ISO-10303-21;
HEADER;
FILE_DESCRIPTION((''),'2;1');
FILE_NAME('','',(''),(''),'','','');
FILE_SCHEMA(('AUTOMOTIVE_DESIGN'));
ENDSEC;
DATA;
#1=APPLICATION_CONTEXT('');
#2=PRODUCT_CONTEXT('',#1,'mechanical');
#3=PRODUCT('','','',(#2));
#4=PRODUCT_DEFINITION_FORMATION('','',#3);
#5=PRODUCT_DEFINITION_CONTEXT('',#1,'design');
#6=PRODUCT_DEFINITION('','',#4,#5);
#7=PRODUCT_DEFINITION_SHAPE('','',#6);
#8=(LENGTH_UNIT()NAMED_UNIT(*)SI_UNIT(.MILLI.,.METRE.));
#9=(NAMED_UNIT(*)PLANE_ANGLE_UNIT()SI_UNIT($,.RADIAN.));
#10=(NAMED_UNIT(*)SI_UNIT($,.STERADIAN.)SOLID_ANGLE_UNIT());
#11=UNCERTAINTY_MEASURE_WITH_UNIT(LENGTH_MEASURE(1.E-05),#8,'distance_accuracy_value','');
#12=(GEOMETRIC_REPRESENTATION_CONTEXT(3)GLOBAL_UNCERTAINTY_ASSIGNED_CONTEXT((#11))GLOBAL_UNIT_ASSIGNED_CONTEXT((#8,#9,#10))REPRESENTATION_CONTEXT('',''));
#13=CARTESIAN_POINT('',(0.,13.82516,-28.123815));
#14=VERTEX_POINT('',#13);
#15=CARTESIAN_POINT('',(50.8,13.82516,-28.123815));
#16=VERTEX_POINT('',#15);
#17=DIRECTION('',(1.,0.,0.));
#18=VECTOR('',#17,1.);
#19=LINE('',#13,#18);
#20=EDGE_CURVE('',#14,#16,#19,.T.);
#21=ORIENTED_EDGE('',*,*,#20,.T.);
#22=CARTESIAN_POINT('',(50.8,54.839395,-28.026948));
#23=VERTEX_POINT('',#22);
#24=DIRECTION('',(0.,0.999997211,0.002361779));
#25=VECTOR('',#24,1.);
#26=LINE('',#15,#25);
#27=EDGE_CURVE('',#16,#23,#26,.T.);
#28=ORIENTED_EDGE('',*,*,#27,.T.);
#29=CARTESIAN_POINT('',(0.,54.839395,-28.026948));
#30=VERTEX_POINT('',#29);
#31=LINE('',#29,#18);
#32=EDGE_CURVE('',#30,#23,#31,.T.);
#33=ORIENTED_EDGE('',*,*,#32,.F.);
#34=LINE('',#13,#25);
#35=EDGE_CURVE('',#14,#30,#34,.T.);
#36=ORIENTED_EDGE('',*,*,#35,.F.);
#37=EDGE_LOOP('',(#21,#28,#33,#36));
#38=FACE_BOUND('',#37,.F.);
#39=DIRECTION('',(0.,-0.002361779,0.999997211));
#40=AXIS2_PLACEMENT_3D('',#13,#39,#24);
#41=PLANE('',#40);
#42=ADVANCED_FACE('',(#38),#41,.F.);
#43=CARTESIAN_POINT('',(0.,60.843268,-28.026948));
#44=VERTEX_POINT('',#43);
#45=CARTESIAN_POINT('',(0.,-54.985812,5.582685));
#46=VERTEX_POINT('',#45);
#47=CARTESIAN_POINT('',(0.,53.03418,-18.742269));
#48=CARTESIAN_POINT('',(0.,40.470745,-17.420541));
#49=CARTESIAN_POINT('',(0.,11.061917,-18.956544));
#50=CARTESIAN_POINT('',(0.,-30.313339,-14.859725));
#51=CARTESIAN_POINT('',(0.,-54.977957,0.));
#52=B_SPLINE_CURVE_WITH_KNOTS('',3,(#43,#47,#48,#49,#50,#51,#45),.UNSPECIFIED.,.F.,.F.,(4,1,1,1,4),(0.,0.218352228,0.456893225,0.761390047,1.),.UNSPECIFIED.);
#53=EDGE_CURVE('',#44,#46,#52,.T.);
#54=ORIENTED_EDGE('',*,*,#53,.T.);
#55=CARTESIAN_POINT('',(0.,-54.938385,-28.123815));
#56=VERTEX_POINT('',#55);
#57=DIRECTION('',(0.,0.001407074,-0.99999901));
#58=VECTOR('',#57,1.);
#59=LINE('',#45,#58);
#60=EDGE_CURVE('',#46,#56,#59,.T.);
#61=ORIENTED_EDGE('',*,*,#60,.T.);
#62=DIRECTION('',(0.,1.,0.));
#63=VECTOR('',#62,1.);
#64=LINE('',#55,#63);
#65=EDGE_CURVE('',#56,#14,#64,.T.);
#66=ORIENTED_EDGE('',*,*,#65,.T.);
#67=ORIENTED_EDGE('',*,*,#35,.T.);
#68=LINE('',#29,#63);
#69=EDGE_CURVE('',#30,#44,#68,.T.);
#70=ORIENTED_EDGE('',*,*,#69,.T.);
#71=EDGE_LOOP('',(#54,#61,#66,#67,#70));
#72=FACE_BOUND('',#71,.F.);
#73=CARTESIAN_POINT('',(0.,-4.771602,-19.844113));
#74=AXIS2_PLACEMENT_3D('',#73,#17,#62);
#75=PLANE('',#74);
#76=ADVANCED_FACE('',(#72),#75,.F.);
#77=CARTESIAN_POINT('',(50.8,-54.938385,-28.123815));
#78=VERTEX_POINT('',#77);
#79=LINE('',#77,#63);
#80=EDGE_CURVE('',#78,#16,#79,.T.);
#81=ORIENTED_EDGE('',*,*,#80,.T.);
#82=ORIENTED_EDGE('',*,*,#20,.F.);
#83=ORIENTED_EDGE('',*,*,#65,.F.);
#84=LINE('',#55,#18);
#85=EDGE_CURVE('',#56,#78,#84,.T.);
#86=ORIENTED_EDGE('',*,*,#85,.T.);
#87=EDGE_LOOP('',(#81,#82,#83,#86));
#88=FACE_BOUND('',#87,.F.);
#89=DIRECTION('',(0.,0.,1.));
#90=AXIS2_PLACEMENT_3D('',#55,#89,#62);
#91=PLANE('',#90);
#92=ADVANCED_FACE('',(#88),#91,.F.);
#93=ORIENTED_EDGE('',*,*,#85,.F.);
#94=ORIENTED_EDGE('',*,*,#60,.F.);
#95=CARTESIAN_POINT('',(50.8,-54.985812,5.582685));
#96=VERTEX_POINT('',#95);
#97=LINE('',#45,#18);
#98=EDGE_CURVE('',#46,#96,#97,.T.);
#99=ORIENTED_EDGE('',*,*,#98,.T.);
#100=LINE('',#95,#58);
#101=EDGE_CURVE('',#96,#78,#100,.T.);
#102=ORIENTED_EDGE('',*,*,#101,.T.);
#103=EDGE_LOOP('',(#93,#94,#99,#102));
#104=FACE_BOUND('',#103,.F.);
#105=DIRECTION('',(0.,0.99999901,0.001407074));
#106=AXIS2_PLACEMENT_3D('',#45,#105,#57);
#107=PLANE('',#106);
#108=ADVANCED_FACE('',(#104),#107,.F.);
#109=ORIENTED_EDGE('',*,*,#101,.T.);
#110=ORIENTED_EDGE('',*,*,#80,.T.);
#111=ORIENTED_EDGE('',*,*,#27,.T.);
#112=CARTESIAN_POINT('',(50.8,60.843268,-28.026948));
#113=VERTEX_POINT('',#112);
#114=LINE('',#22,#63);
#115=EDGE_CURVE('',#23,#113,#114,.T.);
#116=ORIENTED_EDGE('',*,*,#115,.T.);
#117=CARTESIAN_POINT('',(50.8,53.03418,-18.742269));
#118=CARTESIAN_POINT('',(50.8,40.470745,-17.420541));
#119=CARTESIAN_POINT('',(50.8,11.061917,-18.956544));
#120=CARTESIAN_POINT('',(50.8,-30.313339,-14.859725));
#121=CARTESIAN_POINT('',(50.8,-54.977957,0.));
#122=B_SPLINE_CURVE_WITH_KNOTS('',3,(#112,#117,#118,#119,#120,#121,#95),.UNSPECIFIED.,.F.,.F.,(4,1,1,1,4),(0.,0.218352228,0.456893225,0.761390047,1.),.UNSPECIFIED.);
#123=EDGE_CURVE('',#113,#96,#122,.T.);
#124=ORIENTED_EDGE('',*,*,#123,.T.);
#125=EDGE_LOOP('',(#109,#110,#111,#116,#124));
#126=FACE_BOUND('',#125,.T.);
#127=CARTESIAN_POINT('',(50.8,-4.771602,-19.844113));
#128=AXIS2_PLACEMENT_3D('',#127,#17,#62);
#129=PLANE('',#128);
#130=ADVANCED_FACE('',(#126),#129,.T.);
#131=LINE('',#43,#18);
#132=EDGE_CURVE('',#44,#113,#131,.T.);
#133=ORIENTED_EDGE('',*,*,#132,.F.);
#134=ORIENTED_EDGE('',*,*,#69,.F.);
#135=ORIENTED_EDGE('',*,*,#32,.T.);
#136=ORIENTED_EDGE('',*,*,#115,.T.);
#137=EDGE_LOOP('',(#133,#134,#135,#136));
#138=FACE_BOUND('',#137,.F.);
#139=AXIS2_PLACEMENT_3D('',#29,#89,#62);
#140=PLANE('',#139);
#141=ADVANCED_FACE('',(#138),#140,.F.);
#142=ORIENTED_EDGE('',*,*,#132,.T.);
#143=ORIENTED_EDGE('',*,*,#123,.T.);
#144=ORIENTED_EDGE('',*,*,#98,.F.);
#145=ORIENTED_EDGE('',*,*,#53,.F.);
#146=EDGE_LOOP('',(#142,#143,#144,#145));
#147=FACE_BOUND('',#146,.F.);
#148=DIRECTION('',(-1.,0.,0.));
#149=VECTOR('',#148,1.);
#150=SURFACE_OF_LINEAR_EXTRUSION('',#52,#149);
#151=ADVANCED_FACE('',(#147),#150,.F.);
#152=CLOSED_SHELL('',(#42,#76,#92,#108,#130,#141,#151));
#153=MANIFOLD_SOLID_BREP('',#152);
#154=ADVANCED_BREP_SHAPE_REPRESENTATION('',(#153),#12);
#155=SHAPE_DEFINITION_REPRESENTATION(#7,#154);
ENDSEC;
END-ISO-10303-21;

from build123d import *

# Parameters (mm, degrees)
F1_DEPTH = 50.8


with BuildPart() as f1:
    # F0 (on Right) → F1 (new body)
    with BuildSketch(Plane.YZ):
        with BuildLine():
            Line((-54.9858123497, 5.5826849692), (-54.9383847614, -28.1238146126))
            Line((-54.9383847614, -28.1238146126), (-45.4124028305, -28.1238146126))
            Line((-45.4124028305, -28.1238146126), (-20.600028882, -28.1238146126))
            Line((-20.600028882, -28.1238146126), (13.8251595199, -28.1238146126))
            Line((13.8251595199, -28.1238146126), (54.8393946884, -28.0269477854))
            Line((54.8393946884, -28.0269477854), (60.8432676721, -28.0269477854))
            add(Edge.make_bspline(
                [(60.8432676721, -28.0269477854), (53.0341802995, -18.7422685253), (40.4707453124, -17.4205410598), (11.0619165325, -18.9565437887), (-30.3133392645, -14.8597245021), (-54.9779570907, 0), (-54.9858123497, 5.5826849692)],
                knots=[0, 0, 0, 0, 0.2183522281, 0.456893225, 0.7613900467, 1, 1, 1, 1], degree=3))
        make_face()
    extrude(amount=F1_DEPTH)


solid = f1.part
